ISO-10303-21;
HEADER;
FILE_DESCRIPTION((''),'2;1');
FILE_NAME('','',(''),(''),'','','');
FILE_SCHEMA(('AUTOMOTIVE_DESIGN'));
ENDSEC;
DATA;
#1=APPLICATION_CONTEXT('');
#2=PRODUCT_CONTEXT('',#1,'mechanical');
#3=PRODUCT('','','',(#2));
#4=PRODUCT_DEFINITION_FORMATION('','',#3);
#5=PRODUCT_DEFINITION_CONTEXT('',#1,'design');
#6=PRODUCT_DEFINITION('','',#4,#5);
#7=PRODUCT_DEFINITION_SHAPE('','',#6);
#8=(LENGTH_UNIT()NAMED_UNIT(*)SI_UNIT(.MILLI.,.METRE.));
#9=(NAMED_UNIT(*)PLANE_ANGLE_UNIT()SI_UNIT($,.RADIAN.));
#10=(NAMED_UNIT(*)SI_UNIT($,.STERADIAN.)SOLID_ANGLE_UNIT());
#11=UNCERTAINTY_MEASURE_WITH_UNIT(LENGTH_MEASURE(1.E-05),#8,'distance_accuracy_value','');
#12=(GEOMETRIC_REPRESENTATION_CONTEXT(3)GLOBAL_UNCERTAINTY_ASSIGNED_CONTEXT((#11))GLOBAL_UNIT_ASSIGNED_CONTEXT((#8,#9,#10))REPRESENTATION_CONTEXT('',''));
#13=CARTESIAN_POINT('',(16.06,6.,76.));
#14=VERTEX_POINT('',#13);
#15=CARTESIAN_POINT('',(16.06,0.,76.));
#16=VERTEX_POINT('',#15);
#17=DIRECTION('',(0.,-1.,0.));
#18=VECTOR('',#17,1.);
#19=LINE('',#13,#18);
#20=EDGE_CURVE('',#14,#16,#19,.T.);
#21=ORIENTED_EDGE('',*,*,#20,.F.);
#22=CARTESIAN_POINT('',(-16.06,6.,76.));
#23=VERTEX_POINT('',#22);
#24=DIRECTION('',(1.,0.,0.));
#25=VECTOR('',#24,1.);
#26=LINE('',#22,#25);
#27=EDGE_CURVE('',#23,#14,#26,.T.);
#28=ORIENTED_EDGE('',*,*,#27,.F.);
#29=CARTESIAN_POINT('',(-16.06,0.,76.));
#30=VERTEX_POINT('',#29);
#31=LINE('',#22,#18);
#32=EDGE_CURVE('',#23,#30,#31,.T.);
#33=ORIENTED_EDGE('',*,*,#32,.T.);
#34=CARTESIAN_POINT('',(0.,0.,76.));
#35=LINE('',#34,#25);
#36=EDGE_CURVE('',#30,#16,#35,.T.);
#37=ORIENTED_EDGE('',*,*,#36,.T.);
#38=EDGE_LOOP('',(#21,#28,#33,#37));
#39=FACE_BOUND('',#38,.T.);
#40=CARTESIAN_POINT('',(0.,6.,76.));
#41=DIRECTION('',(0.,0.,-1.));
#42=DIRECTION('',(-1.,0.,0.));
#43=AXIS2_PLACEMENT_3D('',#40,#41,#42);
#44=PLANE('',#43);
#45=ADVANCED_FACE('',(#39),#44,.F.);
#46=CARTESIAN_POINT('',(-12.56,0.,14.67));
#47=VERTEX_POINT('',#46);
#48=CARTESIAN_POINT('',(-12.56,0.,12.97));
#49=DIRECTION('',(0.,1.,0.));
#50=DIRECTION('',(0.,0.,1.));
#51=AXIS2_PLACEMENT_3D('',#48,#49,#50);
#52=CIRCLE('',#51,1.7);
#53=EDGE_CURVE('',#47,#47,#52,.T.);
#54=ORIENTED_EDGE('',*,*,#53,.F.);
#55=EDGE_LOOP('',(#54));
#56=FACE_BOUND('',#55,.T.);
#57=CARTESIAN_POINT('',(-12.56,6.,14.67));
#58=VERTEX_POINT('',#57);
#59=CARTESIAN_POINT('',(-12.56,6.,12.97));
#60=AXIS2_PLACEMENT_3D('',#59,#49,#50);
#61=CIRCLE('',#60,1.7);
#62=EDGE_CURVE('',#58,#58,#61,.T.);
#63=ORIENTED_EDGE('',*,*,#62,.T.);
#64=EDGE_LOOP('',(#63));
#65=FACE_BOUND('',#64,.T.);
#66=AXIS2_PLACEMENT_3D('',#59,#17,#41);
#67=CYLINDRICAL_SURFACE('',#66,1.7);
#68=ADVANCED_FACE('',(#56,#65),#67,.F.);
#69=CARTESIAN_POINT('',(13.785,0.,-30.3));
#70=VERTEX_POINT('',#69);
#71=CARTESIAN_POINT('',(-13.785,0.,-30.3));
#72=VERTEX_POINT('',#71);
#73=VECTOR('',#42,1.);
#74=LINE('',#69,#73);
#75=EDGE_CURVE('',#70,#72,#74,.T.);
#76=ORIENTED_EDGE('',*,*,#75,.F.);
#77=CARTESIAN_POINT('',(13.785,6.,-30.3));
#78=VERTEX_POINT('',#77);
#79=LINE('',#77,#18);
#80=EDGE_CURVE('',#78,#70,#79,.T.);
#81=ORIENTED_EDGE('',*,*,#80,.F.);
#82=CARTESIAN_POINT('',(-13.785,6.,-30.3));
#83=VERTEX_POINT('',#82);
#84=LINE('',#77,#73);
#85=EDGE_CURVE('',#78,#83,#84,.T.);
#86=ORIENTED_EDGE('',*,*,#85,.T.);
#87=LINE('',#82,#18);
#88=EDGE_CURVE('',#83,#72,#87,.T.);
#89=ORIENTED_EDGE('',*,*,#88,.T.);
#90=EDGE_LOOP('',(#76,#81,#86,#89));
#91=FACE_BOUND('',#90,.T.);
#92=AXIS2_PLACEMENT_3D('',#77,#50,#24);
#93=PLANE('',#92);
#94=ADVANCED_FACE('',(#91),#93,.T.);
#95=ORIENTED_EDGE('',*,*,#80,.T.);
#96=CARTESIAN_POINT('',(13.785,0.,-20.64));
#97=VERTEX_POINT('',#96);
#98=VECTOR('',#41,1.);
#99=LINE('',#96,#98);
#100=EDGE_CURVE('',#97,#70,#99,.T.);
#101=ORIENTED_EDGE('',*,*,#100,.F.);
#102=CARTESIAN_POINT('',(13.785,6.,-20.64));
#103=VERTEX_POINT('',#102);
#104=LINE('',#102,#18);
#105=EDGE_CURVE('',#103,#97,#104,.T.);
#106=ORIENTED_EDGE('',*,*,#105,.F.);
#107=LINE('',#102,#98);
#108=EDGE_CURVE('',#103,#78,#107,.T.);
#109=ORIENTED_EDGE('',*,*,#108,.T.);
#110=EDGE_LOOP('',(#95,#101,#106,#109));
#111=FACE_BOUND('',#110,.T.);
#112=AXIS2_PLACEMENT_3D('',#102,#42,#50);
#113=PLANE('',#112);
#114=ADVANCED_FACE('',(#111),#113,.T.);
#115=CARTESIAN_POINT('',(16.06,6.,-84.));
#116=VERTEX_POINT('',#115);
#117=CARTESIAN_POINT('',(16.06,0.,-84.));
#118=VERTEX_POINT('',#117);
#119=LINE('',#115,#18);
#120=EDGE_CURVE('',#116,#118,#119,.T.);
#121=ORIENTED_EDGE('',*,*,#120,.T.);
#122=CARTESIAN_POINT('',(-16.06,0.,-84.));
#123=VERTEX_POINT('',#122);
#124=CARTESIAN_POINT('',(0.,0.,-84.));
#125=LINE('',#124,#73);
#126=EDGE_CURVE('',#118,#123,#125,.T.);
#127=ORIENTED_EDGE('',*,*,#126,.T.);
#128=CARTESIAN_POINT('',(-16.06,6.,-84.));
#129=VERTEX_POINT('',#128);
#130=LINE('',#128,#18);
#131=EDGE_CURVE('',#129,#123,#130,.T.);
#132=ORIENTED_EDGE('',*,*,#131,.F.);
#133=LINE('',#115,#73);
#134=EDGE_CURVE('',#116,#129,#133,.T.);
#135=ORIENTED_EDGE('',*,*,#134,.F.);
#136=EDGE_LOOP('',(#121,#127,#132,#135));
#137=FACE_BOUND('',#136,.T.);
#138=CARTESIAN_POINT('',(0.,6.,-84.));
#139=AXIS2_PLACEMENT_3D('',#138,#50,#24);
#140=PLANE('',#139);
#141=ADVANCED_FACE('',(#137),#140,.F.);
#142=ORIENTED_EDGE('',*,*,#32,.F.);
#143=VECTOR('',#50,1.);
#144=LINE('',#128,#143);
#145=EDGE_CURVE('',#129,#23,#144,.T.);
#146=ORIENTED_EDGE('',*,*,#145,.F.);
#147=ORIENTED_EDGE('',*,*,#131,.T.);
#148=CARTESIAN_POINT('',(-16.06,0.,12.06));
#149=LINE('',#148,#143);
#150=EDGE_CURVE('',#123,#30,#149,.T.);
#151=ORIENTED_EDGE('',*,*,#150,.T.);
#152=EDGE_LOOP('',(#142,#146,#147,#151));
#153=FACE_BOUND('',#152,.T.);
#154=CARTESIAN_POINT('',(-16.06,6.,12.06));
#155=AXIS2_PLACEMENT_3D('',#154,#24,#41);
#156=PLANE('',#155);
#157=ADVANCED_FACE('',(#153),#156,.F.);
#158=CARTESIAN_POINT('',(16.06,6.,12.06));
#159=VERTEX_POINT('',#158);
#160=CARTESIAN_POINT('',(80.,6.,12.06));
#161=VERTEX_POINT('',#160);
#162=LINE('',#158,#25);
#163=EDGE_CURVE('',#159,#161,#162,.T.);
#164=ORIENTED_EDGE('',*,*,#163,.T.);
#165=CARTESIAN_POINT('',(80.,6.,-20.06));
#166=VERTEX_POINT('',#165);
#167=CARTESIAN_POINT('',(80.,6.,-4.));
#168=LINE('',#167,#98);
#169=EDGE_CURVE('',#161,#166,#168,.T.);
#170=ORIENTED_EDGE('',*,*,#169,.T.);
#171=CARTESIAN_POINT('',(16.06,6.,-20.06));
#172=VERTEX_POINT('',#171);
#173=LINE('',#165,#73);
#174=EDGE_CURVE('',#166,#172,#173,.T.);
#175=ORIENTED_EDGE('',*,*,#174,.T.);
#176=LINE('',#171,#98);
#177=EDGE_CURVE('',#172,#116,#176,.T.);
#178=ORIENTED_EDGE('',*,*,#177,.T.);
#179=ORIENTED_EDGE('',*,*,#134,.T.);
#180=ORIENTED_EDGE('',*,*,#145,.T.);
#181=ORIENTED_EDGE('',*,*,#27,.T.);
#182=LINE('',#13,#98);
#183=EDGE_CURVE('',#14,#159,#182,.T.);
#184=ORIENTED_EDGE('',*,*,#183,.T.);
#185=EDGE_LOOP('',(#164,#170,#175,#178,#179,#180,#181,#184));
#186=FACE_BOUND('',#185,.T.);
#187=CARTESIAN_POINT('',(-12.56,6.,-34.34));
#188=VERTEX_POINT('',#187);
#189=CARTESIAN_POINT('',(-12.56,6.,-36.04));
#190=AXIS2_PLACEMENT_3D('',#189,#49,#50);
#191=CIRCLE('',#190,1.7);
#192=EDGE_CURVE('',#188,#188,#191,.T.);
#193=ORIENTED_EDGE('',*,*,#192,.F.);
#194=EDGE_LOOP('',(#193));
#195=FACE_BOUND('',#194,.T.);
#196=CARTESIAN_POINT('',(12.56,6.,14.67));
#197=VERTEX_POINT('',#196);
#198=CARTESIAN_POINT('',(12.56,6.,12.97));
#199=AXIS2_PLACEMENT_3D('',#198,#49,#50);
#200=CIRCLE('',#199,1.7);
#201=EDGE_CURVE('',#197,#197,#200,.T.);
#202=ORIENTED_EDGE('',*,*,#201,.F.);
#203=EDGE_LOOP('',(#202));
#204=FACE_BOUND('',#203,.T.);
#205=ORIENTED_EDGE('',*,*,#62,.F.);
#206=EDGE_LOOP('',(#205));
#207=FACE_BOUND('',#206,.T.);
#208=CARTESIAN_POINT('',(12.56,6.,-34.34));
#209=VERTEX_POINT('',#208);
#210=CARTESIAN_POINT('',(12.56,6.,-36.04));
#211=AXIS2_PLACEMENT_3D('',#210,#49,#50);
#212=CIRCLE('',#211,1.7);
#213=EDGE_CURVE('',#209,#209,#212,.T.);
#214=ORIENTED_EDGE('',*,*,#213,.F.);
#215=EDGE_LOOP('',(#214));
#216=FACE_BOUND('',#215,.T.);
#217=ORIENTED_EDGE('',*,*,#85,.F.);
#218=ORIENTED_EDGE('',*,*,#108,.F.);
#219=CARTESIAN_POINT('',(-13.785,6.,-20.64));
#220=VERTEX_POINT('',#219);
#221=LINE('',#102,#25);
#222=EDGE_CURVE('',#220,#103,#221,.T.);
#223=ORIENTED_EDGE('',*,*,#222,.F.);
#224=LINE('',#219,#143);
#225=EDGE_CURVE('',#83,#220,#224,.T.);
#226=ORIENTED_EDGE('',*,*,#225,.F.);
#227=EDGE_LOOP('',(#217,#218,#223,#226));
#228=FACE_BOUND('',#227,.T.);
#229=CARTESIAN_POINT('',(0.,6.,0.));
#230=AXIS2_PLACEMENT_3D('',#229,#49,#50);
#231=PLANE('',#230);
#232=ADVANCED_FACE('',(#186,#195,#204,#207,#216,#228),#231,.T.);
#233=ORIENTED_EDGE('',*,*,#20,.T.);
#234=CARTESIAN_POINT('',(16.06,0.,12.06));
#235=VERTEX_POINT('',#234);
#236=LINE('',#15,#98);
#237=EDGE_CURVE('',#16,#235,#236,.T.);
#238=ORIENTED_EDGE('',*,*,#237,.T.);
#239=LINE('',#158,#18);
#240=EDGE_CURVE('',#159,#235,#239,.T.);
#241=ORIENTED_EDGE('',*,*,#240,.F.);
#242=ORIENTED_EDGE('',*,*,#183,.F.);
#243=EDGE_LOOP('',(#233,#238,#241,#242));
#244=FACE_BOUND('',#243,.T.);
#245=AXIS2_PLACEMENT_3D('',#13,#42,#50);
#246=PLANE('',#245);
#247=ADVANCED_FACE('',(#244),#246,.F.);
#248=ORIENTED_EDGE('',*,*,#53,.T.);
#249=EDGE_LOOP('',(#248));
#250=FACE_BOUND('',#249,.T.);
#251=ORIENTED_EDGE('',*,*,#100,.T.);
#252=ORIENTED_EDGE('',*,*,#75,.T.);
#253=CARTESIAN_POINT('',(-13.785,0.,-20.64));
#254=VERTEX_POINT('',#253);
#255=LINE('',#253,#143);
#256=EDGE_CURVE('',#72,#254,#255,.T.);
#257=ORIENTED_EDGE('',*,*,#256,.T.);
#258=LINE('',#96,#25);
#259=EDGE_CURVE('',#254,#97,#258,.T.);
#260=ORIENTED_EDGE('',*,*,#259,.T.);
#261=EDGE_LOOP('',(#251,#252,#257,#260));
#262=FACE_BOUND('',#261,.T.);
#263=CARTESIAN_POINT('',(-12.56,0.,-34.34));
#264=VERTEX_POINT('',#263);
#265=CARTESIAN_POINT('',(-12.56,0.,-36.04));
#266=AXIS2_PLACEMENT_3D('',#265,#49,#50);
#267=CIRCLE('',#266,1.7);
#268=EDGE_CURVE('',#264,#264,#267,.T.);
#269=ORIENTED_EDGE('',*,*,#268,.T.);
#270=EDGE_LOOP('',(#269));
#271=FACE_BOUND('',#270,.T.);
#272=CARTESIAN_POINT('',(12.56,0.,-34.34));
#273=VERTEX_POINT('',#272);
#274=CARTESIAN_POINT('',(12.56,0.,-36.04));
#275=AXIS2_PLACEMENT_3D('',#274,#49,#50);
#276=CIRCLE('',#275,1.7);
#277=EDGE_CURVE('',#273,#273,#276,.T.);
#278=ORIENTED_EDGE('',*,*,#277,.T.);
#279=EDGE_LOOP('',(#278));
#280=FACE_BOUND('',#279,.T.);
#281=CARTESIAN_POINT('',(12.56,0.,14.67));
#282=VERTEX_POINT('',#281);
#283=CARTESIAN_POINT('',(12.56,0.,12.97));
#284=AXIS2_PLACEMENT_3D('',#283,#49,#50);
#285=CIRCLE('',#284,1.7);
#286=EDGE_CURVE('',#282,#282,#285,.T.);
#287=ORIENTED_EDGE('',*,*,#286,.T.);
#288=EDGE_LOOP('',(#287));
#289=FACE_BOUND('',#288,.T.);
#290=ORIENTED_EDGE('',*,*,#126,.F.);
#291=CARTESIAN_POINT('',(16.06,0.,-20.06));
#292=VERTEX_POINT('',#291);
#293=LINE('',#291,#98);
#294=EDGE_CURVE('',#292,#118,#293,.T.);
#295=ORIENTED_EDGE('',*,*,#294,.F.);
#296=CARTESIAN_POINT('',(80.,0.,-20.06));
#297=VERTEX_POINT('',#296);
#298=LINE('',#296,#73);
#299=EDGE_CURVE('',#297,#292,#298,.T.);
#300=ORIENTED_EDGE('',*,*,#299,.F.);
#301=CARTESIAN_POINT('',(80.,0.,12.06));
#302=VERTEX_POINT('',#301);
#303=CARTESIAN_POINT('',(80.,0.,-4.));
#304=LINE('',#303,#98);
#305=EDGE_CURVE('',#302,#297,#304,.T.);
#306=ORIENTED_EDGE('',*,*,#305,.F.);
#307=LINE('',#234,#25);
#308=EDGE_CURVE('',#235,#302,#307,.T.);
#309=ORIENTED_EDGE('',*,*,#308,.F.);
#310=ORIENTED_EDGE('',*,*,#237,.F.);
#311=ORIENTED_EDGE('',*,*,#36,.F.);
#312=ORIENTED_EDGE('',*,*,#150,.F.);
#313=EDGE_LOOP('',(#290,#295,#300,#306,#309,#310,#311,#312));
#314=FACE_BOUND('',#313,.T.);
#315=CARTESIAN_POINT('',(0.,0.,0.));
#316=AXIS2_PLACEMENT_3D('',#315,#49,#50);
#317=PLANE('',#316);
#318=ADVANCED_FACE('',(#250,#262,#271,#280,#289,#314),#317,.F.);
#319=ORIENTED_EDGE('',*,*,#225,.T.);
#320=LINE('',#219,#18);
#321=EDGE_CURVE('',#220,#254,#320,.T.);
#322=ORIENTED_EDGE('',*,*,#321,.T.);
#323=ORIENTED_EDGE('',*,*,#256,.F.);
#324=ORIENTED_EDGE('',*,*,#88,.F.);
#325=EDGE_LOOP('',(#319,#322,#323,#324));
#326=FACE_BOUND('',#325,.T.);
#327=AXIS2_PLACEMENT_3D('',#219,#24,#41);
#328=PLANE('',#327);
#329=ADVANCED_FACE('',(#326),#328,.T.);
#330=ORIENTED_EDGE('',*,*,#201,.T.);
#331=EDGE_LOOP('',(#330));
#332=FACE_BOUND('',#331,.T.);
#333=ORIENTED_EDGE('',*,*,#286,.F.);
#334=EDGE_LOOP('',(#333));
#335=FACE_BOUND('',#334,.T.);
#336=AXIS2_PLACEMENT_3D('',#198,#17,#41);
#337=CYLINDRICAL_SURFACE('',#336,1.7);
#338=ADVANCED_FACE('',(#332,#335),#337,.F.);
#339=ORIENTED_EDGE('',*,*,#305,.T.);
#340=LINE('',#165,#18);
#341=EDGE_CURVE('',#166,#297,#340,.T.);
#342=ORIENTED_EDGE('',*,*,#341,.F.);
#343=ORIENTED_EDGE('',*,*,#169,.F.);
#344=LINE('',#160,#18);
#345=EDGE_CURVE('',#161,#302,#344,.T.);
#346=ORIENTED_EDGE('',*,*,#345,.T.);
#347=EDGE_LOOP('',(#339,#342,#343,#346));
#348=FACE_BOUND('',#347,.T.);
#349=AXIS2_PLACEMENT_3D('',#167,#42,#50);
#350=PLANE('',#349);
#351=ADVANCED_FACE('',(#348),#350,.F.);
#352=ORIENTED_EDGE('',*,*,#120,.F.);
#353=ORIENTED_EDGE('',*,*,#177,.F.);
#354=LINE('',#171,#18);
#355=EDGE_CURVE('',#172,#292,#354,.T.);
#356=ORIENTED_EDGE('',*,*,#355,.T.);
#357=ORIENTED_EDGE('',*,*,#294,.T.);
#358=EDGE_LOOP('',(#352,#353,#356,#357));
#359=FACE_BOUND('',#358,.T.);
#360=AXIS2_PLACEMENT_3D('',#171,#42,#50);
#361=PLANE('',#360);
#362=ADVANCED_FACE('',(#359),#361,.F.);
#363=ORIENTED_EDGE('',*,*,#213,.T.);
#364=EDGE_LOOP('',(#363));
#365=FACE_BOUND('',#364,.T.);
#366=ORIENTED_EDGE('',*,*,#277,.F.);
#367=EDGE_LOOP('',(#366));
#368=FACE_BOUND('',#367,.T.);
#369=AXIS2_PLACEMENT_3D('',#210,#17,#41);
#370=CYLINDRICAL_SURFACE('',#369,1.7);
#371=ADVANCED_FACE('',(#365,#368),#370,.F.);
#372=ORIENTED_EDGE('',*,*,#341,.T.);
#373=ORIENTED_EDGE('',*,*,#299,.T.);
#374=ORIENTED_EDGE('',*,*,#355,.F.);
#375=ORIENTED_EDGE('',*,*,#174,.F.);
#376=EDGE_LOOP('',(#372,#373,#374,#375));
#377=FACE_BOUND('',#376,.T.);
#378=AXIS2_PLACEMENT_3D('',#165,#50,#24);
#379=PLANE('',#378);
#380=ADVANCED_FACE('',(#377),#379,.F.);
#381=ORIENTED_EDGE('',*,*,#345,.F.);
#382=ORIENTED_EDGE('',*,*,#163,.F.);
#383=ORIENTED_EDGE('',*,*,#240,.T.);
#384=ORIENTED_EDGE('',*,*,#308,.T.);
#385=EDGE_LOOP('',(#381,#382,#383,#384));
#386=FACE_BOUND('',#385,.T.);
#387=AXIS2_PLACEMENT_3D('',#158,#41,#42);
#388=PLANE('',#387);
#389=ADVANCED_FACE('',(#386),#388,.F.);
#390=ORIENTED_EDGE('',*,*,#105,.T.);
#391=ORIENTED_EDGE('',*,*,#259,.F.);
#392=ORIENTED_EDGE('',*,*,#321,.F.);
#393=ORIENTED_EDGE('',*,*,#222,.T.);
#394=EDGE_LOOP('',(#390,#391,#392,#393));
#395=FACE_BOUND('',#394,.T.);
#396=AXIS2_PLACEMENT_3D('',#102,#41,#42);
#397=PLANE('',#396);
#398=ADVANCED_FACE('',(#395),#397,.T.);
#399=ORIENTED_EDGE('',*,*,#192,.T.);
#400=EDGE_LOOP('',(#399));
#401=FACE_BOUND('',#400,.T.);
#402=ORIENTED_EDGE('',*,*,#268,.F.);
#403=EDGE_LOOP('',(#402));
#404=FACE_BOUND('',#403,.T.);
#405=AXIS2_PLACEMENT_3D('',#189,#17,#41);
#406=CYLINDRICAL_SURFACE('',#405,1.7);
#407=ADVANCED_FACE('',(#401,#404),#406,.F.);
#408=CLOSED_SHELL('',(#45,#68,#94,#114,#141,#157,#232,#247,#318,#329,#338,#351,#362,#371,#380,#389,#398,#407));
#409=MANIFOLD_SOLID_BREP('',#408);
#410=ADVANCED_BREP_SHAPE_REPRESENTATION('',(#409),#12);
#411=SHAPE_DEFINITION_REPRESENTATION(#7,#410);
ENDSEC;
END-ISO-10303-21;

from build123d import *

# Parameters (mm, degrees)
SKETCH21_R           = 1.7
SKETCH21_W           = 27.57
SKETCH21_H           = 9.66
BOSS_EXTRUDE18_DEPTH = 6


with BuildPart() as part:
    # Sketch21 → Boss-Extrude18 (new body)
    with BuildSketch(Plane(origin=(0, 0, 0), x_dir=(1, 0, 0), z_dir=(0, 1, 0))):
        Polygon((-16.06, -12.06), (-16.06, 20.06), (-16.06, 84), (0, 84), (16.06, 84), (16.06, 20.06), (80, 20.06), (80, 4), (80, -12.06), (16.06, -12.06), (16.06, -76), (0, -76), (-16.06, -76), align=None)
        with Locations(Location((-12.56, 36.04, 0), (0, 0, 270))):
            Circle(SKETCH21_R, mode=Mode.SUBTRACT)
        with Locations(Location((12.56, 36.04, 0), (0, 0, 270))):
            Circle(SKETCH21_R, mode=Mode.SUBTRACT)
        with Locations(Location((12.56, -12.97, 0), (0, 0, 270))):
            Circle(SKETCH21_R, mode=Mode.SUBTRACT)
        with Locations(Location((-12.56, -12.97, 0), (0, 0, 270))):
            Circle(SKETCH21_R, mode=Mode.SUBTRACT)
        with Locations((0, 25.47)):
            Rectangle(SKETCH21_W, SKETCH21_H, mode=Mode.SUBTRACT)
    extrude(amount=BOSS_EXTRUDE18_DEPTH)


solid = part.part
